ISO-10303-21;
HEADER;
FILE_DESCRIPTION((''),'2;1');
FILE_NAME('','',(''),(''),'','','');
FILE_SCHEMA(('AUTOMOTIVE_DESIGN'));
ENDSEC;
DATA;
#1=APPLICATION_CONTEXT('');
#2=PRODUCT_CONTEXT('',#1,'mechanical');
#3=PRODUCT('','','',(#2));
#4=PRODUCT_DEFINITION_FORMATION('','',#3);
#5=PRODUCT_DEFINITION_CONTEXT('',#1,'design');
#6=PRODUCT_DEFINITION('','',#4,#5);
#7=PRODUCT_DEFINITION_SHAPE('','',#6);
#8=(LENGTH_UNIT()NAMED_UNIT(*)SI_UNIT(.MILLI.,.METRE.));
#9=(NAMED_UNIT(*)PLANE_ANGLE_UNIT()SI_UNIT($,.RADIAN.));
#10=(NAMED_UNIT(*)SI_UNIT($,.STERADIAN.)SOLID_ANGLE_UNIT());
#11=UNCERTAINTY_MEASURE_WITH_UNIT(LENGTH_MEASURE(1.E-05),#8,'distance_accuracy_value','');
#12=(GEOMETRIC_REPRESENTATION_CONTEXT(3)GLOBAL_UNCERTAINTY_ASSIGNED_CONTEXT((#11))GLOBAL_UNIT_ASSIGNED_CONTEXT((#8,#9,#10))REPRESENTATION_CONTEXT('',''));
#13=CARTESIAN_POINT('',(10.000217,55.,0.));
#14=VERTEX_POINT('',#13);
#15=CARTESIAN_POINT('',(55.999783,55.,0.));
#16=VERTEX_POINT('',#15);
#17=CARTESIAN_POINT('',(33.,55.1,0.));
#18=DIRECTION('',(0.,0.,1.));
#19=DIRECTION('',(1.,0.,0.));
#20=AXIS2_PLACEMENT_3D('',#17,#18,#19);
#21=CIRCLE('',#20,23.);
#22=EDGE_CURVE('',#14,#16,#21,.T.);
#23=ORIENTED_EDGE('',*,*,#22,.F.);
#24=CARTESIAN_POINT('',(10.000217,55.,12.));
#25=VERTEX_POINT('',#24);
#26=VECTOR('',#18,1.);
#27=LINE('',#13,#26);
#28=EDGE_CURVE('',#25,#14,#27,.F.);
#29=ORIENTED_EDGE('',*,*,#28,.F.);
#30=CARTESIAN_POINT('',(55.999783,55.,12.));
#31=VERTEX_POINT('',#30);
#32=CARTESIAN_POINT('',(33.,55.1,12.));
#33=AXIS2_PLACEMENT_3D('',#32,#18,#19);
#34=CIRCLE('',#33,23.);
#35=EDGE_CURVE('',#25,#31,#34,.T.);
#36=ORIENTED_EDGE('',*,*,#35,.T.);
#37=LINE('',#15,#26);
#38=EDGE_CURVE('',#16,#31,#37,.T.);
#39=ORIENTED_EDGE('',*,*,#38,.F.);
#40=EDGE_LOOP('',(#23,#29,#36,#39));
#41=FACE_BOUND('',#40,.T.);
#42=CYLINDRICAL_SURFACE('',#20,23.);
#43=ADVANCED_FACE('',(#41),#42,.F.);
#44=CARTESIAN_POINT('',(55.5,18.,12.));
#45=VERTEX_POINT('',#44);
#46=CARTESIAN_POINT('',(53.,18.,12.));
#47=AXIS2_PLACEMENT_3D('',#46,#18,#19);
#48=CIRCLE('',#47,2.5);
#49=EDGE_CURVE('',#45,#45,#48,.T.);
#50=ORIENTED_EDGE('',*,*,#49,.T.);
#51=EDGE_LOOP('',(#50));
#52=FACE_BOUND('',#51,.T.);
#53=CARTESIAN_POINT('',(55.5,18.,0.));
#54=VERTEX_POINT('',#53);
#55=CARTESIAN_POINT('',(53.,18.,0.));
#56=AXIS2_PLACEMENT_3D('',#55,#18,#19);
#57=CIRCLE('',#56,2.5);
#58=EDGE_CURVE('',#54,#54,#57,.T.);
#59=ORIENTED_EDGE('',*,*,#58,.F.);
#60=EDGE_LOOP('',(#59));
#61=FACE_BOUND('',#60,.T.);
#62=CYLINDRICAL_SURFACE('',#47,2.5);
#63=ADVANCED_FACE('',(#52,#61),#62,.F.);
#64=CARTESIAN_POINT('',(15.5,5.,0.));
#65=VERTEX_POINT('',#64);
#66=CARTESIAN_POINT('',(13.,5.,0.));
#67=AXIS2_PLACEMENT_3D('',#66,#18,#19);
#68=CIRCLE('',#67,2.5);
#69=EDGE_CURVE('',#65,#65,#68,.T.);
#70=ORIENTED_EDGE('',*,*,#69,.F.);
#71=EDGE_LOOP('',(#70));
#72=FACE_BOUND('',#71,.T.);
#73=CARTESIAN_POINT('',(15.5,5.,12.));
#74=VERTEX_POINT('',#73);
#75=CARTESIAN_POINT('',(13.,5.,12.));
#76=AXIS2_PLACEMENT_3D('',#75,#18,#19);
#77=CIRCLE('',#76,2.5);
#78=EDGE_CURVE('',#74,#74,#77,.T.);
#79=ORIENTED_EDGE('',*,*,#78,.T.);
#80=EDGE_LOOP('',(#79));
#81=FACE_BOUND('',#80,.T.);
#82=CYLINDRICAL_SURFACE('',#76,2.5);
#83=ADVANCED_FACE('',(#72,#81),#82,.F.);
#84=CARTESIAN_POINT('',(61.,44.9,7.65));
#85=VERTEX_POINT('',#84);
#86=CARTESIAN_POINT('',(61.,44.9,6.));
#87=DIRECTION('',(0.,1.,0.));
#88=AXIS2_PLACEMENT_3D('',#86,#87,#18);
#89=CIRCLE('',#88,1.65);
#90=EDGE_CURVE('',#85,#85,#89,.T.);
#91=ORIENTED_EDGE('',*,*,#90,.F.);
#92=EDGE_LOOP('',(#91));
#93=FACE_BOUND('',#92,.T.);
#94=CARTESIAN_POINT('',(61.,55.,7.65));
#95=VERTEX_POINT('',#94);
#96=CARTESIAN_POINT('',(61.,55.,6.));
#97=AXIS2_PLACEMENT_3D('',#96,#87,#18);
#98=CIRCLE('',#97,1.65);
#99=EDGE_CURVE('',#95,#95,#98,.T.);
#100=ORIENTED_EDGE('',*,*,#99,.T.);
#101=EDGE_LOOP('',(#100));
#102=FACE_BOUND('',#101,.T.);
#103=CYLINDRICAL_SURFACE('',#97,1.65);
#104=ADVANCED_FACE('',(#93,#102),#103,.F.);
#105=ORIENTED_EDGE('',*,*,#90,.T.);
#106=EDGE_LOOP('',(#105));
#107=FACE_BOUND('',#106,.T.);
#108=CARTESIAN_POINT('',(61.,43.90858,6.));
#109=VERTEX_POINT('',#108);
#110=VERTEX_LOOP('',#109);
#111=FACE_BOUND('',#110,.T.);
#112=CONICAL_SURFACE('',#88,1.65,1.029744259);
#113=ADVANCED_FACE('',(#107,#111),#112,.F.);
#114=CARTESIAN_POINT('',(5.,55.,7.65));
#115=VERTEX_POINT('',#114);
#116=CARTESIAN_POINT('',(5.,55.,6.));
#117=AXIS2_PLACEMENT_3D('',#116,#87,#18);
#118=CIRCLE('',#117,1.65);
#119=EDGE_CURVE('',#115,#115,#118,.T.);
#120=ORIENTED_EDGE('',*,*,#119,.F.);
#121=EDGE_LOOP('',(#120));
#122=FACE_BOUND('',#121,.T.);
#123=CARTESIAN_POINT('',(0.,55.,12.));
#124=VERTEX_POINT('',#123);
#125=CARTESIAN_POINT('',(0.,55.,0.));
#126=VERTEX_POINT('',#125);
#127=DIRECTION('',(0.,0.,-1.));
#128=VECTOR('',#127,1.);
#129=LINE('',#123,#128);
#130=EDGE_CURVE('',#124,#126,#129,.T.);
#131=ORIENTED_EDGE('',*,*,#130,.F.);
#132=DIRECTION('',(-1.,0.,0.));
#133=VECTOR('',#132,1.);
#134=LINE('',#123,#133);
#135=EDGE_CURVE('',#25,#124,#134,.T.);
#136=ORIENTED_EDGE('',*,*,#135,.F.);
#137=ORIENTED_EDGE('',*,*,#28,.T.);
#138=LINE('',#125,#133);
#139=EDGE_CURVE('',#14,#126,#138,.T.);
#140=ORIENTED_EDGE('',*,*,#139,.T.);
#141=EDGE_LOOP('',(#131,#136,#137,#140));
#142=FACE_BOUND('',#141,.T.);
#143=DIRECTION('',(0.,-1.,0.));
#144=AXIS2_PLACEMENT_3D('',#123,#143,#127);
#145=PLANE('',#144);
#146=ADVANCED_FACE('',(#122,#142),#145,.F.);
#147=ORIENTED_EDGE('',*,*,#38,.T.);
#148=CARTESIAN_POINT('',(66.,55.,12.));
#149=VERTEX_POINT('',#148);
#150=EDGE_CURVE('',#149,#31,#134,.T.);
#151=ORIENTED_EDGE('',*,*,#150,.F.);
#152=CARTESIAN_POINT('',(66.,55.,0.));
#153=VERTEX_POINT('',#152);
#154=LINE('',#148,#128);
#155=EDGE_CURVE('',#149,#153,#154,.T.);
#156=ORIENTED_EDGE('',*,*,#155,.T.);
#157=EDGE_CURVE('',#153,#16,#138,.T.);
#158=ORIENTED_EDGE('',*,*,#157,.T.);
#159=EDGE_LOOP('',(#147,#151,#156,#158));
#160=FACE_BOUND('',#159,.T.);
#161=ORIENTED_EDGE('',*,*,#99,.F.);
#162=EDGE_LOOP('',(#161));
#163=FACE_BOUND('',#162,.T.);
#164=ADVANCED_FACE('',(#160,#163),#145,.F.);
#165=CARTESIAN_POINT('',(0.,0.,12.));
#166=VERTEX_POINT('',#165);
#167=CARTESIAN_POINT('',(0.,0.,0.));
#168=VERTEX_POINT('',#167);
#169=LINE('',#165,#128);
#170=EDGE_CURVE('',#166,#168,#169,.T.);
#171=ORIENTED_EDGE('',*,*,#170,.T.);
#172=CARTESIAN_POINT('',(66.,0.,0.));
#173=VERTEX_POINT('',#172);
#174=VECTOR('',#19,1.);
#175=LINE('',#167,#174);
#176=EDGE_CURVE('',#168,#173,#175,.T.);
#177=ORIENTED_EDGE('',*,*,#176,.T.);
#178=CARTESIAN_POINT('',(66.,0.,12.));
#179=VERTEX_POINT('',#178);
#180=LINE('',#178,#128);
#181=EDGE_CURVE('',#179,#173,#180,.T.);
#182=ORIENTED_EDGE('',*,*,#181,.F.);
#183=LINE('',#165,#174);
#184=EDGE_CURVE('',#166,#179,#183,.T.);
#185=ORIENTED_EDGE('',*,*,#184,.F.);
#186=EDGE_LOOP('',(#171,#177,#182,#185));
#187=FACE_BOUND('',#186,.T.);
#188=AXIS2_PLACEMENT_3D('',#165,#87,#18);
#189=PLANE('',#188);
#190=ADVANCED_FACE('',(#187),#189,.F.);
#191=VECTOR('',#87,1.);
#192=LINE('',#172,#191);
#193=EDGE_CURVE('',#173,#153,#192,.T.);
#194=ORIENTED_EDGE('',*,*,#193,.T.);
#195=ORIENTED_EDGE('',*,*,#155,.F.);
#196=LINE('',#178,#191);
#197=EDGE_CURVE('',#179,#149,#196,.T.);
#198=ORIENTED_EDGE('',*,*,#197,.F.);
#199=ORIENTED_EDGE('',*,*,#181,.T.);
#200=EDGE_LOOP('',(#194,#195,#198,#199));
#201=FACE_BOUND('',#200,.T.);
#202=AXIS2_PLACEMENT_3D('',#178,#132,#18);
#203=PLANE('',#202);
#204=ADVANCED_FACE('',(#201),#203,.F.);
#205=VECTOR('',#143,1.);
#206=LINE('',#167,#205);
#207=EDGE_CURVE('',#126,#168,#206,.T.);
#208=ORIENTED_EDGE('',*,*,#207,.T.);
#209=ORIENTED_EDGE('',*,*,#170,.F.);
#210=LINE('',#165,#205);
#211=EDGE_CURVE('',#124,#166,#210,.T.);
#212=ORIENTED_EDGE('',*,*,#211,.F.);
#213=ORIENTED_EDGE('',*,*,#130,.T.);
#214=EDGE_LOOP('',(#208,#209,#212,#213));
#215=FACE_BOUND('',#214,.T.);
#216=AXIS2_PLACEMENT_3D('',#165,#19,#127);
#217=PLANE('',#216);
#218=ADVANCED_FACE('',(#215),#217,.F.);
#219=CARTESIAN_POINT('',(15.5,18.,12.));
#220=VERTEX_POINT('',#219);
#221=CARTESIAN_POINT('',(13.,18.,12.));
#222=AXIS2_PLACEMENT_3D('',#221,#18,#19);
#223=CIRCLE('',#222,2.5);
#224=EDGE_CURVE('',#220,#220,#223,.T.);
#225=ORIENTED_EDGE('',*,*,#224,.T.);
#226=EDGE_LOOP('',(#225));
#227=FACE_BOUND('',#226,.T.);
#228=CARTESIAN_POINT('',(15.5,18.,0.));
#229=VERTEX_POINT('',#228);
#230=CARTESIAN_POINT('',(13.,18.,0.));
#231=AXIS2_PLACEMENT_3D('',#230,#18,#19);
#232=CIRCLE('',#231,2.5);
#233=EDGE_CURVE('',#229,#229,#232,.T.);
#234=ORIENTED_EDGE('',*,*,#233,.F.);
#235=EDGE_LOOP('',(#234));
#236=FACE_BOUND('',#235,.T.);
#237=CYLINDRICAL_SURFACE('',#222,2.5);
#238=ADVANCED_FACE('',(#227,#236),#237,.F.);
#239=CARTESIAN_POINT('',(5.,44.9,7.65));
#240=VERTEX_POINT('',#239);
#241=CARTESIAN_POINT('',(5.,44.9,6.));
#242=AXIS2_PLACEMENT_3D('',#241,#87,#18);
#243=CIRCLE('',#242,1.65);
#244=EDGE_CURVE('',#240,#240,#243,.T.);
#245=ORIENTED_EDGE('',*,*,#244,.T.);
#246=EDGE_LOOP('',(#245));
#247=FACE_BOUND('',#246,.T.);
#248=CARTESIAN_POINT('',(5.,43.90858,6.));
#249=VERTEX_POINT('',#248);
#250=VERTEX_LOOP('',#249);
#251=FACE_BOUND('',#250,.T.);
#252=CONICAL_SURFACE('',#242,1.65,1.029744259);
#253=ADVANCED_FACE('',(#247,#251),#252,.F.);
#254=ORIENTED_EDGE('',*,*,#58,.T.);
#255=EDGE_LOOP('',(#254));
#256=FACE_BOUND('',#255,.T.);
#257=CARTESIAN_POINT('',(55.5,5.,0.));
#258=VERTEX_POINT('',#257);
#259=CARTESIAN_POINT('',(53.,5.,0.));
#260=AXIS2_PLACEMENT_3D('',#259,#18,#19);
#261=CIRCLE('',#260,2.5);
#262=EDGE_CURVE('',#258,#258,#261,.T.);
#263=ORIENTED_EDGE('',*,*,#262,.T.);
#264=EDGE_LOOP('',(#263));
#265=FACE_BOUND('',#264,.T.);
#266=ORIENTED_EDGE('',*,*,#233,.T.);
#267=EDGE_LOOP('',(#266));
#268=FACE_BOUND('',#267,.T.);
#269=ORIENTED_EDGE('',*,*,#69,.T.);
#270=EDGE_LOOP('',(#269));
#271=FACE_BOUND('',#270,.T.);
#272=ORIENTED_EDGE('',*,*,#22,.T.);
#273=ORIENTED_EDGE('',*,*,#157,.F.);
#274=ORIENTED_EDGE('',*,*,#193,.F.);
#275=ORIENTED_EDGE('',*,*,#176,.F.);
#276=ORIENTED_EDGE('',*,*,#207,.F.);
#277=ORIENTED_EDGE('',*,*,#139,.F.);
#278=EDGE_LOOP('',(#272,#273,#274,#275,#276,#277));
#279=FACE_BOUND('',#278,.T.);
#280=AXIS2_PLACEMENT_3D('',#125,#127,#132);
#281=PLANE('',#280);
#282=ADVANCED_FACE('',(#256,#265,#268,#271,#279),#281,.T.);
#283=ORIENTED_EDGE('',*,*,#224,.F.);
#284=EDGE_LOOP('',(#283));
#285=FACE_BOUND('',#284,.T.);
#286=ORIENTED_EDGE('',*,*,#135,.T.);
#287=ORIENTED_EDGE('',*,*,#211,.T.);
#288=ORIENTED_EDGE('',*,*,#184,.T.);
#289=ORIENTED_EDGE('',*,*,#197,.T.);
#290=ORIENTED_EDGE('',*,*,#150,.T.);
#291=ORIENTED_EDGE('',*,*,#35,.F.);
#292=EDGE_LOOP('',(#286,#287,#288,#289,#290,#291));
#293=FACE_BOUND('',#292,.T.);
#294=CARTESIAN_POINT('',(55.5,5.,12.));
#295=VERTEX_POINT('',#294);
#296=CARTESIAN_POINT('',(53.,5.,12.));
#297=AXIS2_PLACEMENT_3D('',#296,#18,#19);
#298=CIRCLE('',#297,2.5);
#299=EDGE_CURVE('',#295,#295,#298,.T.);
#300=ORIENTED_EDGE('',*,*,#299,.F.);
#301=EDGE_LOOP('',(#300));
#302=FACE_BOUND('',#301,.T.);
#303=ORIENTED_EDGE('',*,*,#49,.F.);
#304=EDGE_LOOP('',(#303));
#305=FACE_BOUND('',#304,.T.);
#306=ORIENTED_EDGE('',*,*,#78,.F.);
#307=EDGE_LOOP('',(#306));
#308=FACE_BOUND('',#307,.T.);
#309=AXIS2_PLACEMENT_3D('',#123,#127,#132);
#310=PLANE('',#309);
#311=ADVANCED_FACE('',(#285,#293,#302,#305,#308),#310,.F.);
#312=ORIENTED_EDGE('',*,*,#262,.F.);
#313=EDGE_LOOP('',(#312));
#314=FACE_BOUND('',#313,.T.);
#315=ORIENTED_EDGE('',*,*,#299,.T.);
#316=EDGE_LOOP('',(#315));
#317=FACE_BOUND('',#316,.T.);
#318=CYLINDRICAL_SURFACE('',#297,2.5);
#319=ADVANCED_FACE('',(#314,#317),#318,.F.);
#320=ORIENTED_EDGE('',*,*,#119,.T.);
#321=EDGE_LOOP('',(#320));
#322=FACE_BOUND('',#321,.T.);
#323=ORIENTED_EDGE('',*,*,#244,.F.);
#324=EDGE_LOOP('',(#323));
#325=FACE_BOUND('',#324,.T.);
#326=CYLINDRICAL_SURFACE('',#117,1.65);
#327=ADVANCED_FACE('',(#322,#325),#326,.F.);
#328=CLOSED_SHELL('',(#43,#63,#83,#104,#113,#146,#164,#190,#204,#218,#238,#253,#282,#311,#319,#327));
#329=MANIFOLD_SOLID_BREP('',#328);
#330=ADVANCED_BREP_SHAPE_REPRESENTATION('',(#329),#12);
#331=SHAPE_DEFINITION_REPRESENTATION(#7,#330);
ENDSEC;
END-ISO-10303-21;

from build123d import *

# Parameters (mm, degrees)
SKETCH_1_W             = 66
SKETCH_1_H             = 55
EXTRUDE_1_DEPTH        = 12
SKETCH_2_R             = 23
CUT_EXTRUDE_1_DEPTH    = 87.746757864
HOLE_WIZARD_M6_1_D     = 5
HOLE_WIZARD_M4_1_D     = 3.3
HOLE_WIZARD_M4_1_DEPTH = 10.1
HOLE_WIZARD_M4_1_TIP   = 0.991420021


with BuildPart() as part:
    # 草图1 → 凸台-拉伸1 (new body)
    with BuildSketch(Plane.XY):
        with Locations((33, 27.5)):
            Rectangle(SKETCH_1_W, SKETCH_1_H)
    extrude(amount=EXTRUDE_1_DEPTH)

    # 草图2 → 切除-拉伸1 (cut, through all)
    with BuildSketch(Plane.XY.offset(12)):
        with Locations((33, 55.1)):
            Circle(SKETCH_2_R)
    extrude(amount=-CUT_EXTRUDE_1_DEPTH, mode=Mode.SUBTRACT)

    # M6 螺纹孔1 (through all)
    with Locations(Plane.XY.offset(12)):
        with Locations((13, 18), (53, 18), (13, 5), (53, 5)):
            Hole(HOLE_WIZARD_M6_1_D / 2)

    # M4 螺纹孔1
    with Locations(Plane(origin=(0, 55, 0), x_dir=(-1, 0, 0), z_dir=(0, 1, 0))):
        with Locations((-5, 6), (-61, 6)):
            Hole(HOLE_WIZARD_M4_1_D / 2, depth=HOLE_WIZARD_M4_1_DEPTH)
            with Locations((0, 0, -(HOLE_WIZARD_M4_1_DEPTH + HOLE_WIZARD_M4_1_TIP / 2))):  # 118° drill point
                Cone(0, HOLE_WIZARD_M4_1_D / 2, HOLE_WIZARD_M4_1_TIP, mode=Mode.SUBTRACT)


solid = part.part
